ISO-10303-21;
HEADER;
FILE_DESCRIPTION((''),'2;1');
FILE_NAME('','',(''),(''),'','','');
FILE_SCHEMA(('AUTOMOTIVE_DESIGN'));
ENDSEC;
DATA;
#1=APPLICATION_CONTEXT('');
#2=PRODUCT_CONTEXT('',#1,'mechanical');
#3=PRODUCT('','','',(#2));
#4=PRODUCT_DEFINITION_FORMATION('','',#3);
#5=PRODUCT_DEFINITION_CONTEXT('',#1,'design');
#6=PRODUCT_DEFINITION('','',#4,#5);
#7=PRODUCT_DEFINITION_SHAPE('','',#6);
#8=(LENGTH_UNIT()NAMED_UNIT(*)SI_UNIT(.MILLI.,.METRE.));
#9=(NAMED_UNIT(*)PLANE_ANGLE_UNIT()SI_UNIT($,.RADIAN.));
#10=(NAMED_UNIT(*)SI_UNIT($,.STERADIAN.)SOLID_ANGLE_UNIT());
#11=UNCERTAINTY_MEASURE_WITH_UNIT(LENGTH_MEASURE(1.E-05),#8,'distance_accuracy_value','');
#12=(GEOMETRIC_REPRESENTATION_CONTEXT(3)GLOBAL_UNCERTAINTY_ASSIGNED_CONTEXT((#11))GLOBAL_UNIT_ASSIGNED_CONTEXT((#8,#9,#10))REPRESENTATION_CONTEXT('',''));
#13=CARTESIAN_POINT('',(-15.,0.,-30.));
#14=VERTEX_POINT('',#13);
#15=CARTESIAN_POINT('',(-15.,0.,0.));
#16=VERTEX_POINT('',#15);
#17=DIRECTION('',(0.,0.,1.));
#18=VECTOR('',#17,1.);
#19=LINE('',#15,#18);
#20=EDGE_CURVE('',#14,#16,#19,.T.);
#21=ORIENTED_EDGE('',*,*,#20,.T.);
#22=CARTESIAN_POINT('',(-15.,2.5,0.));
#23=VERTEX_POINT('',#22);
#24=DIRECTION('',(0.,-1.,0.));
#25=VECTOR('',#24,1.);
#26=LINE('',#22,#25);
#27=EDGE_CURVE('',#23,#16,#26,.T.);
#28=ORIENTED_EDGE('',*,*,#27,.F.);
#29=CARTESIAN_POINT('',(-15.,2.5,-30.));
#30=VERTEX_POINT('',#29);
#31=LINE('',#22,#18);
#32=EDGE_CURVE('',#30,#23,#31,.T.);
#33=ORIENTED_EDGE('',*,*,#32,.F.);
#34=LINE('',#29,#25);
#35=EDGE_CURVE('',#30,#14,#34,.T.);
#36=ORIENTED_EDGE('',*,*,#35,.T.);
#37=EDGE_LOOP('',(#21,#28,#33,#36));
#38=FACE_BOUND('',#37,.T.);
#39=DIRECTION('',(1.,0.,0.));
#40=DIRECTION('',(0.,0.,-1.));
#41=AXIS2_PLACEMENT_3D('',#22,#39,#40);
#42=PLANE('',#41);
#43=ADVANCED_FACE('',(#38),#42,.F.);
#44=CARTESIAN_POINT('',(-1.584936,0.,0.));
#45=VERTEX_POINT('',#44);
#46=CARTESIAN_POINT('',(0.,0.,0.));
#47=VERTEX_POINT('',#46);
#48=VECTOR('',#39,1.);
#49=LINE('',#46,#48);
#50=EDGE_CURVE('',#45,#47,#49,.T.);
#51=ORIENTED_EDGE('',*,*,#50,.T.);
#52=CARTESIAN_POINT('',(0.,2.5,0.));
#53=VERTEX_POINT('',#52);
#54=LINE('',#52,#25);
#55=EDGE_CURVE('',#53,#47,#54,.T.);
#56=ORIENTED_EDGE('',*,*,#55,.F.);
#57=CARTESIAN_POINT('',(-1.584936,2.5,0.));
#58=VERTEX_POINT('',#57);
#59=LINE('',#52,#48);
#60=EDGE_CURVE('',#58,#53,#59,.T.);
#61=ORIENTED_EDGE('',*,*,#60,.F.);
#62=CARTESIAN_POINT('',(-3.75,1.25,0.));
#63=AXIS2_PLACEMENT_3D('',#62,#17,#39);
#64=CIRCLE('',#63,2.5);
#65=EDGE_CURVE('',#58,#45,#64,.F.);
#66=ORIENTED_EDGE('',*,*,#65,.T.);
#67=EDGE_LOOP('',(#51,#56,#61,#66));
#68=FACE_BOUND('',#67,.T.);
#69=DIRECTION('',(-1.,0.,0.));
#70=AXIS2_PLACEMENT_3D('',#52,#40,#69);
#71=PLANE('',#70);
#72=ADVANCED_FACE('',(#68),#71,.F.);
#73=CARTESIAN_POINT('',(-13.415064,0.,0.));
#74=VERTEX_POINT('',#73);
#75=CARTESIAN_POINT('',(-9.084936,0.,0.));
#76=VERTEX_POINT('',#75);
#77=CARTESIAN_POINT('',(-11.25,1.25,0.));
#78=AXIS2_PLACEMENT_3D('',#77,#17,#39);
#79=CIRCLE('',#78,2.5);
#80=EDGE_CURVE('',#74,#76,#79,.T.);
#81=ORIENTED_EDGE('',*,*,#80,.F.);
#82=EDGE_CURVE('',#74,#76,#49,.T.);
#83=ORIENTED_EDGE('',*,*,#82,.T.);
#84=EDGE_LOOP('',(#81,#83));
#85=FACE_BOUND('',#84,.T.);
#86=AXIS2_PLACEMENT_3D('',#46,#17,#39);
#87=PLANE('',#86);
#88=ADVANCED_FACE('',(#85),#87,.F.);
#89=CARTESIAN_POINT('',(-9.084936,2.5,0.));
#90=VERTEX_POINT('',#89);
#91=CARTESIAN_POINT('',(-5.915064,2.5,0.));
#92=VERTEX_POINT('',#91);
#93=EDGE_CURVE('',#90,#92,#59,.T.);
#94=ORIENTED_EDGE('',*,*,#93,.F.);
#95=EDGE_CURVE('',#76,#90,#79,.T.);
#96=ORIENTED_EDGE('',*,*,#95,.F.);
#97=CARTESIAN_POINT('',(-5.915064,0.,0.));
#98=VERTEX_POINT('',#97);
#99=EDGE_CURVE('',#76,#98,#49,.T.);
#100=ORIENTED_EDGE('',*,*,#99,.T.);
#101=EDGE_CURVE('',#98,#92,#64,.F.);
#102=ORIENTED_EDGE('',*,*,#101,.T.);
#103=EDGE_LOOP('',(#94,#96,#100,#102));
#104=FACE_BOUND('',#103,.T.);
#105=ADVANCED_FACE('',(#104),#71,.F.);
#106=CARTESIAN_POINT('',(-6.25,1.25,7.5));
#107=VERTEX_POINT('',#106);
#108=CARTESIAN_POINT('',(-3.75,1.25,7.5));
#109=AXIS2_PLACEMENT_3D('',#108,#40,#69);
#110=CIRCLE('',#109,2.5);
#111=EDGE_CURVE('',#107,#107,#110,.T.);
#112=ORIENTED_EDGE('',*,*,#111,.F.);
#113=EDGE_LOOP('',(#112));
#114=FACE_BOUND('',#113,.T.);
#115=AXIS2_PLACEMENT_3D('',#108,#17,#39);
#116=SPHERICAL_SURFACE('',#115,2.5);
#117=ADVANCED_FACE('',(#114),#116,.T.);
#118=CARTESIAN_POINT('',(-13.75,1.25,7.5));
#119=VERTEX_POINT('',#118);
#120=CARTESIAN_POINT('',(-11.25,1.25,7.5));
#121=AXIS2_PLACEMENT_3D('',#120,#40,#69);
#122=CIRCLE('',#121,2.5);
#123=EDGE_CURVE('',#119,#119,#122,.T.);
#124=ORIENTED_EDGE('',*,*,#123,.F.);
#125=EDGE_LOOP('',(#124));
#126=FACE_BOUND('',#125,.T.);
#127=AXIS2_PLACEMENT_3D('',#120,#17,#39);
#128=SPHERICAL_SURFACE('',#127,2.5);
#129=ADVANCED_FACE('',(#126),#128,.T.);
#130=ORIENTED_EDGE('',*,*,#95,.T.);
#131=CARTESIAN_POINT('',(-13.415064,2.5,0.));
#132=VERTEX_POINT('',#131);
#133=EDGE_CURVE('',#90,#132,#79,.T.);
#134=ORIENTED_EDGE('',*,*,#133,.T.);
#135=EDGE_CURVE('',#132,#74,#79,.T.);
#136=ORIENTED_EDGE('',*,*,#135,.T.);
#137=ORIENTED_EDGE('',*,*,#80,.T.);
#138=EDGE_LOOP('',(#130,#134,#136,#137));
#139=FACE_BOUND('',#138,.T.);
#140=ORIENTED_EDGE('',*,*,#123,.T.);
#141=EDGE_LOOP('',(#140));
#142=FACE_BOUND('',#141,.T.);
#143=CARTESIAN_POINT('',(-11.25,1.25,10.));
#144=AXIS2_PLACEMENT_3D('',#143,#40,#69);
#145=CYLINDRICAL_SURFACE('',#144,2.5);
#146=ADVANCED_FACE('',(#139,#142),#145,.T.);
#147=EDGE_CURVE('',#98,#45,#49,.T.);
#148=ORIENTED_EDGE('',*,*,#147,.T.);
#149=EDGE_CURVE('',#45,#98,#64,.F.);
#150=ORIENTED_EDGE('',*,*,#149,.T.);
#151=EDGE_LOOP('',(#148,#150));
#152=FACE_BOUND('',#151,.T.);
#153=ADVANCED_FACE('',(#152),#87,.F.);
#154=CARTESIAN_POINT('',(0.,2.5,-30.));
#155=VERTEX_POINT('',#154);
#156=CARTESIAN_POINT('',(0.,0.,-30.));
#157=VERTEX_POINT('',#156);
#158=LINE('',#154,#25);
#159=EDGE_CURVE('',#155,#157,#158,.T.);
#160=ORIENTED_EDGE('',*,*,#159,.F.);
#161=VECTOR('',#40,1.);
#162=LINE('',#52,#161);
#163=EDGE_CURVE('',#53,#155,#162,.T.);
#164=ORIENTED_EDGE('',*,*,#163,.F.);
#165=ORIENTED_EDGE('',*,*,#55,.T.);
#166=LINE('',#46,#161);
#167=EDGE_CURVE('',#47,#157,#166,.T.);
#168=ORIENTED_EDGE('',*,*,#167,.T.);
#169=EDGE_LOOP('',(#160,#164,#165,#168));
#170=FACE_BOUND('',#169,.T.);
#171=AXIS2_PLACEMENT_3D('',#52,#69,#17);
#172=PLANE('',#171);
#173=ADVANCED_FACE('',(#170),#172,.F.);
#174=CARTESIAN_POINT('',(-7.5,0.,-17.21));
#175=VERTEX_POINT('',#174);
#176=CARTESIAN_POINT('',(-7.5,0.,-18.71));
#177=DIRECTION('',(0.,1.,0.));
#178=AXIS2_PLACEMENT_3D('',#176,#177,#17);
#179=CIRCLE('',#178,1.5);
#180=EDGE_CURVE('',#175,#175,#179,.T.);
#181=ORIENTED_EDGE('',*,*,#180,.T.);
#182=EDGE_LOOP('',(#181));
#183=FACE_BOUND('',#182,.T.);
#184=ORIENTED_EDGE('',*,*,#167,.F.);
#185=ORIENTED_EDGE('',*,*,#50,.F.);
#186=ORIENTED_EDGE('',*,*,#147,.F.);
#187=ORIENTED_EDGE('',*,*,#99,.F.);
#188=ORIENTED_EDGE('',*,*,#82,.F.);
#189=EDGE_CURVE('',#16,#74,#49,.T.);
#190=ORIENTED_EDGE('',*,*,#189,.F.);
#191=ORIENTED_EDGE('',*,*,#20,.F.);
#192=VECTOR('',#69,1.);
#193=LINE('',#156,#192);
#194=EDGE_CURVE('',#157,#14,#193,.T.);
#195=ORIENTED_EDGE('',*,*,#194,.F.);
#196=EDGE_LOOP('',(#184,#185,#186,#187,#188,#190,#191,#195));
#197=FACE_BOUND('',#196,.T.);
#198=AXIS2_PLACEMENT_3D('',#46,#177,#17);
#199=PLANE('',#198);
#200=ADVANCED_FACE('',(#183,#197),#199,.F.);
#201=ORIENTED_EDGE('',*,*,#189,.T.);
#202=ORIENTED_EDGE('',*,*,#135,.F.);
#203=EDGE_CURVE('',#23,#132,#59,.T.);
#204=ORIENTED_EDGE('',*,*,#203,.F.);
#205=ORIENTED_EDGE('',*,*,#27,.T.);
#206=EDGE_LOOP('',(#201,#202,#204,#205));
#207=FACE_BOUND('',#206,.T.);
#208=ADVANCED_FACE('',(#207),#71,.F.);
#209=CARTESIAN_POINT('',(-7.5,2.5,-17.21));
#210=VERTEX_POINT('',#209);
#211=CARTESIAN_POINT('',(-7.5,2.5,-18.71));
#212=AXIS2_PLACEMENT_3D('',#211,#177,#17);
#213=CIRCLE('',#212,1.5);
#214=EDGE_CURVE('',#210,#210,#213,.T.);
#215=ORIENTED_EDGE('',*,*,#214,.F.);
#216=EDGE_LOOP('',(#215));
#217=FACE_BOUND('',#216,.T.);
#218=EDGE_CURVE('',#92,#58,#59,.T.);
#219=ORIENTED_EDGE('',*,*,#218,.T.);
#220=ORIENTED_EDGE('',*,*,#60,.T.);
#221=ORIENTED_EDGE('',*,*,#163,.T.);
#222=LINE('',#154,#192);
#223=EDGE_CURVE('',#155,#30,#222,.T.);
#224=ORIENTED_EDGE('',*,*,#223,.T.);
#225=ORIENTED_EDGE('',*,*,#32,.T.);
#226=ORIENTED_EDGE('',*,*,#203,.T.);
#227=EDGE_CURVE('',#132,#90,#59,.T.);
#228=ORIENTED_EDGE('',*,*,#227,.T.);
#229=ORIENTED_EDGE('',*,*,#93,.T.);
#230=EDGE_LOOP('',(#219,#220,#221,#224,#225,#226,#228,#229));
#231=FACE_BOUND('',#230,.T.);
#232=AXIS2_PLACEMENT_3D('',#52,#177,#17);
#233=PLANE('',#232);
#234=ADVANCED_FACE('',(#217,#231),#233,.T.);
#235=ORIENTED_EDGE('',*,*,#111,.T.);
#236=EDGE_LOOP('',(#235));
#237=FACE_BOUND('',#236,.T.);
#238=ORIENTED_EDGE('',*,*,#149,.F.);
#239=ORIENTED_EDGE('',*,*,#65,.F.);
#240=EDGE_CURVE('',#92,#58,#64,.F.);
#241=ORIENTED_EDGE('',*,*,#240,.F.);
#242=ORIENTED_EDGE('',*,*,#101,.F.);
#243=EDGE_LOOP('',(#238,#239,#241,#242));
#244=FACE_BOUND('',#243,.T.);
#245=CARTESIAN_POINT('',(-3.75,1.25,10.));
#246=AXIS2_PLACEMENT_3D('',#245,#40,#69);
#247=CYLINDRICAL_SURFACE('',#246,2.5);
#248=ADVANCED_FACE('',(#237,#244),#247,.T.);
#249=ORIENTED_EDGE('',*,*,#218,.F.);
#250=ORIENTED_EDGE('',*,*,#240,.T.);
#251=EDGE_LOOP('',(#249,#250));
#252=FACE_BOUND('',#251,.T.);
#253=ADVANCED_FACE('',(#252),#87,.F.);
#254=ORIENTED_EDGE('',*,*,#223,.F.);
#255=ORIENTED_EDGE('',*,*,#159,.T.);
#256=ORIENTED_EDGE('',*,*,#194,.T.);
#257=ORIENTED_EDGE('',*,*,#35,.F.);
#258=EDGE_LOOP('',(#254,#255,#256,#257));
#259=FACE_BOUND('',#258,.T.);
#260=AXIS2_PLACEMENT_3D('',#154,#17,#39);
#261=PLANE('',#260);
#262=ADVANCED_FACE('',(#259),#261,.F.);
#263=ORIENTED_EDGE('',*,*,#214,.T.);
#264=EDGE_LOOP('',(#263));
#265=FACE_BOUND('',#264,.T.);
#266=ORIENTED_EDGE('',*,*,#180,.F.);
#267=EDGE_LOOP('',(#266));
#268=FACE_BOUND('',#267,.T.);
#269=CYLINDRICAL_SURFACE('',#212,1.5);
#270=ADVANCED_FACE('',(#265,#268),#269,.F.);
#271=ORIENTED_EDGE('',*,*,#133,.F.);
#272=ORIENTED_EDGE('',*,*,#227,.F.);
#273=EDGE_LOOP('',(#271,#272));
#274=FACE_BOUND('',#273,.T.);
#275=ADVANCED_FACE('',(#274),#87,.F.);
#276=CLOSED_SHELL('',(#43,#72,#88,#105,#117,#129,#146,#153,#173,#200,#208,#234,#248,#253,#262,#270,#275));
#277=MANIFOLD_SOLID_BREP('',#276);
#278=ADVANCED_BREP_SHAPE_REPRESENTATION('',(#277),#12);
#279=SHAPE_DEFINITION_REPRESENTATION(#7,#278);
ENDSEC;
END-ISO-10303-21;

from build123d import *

# Parameters (mm, degrees)
SKETCH2_W                 = 15
SKETCH2_H                 = 30
BOSS_EXTRUDE1_DEPTH       = 2.5
SKETCH3_R                 = 2.5
BOSS_EXTRUDE2_DEPTH       = 10
FILLET3_R                 = 2.5
FILLET4_R                 = 2.5
F_3_0MM_DOWEL_HOLE1_D     = 3
F_3_0MM_DOWEL_HOLE1_DEPTH = 12
F_3_0MM_DOWEL_HOLE1_TIP   = 0.901290929


with BuildPart() as part:
    # Sketch2 → Boss-Extrude1 (new body)
    with BuildSketch(Plane(origin=(0, 0, 0), x_dir=(1, 0, 0), z_dir=(0, 1, 0))):
        with Locations((-7.5, 15)):
            Rectangle(SKETCH2_W, SKETCH2_H)
    extrude(amount=BOSS_EXTRUDE1_DEPTH)

    # Sketch3 → Boss-Extrude2 (add)
    with BuildSketch(Plane.XY):
        with BuildLine():
            ThreePointArc((-13.75, 1.25), (-11.25, -1.25), (-8.75, 1.25))
            Line((-8.75, 1.25), (-13.75, 1.25))
        make_face()
        with BuildLine():
            Line((-13.75, 1.25), (-8.75, 1.25))
            ThreePointArc((-8.75, 1.25), (-11.25, 3.75), (-13.75, 1.25))
        make_face()
        with Locations(Location((-3.75, 1.25, 0), (0, 0, 150))):
            Circle(SKETCH3_R)
    extrude(amount=BOSS_EXTRUDE2_DEPTH)

    # Fillet3
    fillet3_edges = [part.edges().sort_by_distance(p)[0] for p in [
        (-13.75, 1.25, 10),
    ]]
    fillet(fillet3_edges, radius=FILLET3_R)

    # Fillet4
    fillet4_edges = [part.edges().sort_by_distance(p)[0] for p in [
        (-1.584936491, 0, 10),
    ]]
    fillet(fillet4_edges, radius=FILLET4_R)

    # Ø3.0mm Dowel Hole1
    with Locations(Plane(origin=(0, 2.5, 0), x_dir=(1, 0, 0), z_dir=(0, 1, 0))):
        with Locations((-7.5, 18.71)):
            Hole(F_3_0MM_DOWEL_HOLE1_D / 2, depth=F_3_0MM_DOWEL_HOLE1_DEPTH)
            with Locations((0, 0, -(F_3_0MM_DOWEL_HOLE1_DEPTH + F_3_0MM_DOWEL_HOLE1_TIP / 2))):  # 118° drill point
                Cone(0, F_3_0MM_DOWEL_HOLE1_D / 2, F_3_0MM_DOWEL_HOLE1_TIP, mode=Mode.SUBTRACT)


solid = part.part
